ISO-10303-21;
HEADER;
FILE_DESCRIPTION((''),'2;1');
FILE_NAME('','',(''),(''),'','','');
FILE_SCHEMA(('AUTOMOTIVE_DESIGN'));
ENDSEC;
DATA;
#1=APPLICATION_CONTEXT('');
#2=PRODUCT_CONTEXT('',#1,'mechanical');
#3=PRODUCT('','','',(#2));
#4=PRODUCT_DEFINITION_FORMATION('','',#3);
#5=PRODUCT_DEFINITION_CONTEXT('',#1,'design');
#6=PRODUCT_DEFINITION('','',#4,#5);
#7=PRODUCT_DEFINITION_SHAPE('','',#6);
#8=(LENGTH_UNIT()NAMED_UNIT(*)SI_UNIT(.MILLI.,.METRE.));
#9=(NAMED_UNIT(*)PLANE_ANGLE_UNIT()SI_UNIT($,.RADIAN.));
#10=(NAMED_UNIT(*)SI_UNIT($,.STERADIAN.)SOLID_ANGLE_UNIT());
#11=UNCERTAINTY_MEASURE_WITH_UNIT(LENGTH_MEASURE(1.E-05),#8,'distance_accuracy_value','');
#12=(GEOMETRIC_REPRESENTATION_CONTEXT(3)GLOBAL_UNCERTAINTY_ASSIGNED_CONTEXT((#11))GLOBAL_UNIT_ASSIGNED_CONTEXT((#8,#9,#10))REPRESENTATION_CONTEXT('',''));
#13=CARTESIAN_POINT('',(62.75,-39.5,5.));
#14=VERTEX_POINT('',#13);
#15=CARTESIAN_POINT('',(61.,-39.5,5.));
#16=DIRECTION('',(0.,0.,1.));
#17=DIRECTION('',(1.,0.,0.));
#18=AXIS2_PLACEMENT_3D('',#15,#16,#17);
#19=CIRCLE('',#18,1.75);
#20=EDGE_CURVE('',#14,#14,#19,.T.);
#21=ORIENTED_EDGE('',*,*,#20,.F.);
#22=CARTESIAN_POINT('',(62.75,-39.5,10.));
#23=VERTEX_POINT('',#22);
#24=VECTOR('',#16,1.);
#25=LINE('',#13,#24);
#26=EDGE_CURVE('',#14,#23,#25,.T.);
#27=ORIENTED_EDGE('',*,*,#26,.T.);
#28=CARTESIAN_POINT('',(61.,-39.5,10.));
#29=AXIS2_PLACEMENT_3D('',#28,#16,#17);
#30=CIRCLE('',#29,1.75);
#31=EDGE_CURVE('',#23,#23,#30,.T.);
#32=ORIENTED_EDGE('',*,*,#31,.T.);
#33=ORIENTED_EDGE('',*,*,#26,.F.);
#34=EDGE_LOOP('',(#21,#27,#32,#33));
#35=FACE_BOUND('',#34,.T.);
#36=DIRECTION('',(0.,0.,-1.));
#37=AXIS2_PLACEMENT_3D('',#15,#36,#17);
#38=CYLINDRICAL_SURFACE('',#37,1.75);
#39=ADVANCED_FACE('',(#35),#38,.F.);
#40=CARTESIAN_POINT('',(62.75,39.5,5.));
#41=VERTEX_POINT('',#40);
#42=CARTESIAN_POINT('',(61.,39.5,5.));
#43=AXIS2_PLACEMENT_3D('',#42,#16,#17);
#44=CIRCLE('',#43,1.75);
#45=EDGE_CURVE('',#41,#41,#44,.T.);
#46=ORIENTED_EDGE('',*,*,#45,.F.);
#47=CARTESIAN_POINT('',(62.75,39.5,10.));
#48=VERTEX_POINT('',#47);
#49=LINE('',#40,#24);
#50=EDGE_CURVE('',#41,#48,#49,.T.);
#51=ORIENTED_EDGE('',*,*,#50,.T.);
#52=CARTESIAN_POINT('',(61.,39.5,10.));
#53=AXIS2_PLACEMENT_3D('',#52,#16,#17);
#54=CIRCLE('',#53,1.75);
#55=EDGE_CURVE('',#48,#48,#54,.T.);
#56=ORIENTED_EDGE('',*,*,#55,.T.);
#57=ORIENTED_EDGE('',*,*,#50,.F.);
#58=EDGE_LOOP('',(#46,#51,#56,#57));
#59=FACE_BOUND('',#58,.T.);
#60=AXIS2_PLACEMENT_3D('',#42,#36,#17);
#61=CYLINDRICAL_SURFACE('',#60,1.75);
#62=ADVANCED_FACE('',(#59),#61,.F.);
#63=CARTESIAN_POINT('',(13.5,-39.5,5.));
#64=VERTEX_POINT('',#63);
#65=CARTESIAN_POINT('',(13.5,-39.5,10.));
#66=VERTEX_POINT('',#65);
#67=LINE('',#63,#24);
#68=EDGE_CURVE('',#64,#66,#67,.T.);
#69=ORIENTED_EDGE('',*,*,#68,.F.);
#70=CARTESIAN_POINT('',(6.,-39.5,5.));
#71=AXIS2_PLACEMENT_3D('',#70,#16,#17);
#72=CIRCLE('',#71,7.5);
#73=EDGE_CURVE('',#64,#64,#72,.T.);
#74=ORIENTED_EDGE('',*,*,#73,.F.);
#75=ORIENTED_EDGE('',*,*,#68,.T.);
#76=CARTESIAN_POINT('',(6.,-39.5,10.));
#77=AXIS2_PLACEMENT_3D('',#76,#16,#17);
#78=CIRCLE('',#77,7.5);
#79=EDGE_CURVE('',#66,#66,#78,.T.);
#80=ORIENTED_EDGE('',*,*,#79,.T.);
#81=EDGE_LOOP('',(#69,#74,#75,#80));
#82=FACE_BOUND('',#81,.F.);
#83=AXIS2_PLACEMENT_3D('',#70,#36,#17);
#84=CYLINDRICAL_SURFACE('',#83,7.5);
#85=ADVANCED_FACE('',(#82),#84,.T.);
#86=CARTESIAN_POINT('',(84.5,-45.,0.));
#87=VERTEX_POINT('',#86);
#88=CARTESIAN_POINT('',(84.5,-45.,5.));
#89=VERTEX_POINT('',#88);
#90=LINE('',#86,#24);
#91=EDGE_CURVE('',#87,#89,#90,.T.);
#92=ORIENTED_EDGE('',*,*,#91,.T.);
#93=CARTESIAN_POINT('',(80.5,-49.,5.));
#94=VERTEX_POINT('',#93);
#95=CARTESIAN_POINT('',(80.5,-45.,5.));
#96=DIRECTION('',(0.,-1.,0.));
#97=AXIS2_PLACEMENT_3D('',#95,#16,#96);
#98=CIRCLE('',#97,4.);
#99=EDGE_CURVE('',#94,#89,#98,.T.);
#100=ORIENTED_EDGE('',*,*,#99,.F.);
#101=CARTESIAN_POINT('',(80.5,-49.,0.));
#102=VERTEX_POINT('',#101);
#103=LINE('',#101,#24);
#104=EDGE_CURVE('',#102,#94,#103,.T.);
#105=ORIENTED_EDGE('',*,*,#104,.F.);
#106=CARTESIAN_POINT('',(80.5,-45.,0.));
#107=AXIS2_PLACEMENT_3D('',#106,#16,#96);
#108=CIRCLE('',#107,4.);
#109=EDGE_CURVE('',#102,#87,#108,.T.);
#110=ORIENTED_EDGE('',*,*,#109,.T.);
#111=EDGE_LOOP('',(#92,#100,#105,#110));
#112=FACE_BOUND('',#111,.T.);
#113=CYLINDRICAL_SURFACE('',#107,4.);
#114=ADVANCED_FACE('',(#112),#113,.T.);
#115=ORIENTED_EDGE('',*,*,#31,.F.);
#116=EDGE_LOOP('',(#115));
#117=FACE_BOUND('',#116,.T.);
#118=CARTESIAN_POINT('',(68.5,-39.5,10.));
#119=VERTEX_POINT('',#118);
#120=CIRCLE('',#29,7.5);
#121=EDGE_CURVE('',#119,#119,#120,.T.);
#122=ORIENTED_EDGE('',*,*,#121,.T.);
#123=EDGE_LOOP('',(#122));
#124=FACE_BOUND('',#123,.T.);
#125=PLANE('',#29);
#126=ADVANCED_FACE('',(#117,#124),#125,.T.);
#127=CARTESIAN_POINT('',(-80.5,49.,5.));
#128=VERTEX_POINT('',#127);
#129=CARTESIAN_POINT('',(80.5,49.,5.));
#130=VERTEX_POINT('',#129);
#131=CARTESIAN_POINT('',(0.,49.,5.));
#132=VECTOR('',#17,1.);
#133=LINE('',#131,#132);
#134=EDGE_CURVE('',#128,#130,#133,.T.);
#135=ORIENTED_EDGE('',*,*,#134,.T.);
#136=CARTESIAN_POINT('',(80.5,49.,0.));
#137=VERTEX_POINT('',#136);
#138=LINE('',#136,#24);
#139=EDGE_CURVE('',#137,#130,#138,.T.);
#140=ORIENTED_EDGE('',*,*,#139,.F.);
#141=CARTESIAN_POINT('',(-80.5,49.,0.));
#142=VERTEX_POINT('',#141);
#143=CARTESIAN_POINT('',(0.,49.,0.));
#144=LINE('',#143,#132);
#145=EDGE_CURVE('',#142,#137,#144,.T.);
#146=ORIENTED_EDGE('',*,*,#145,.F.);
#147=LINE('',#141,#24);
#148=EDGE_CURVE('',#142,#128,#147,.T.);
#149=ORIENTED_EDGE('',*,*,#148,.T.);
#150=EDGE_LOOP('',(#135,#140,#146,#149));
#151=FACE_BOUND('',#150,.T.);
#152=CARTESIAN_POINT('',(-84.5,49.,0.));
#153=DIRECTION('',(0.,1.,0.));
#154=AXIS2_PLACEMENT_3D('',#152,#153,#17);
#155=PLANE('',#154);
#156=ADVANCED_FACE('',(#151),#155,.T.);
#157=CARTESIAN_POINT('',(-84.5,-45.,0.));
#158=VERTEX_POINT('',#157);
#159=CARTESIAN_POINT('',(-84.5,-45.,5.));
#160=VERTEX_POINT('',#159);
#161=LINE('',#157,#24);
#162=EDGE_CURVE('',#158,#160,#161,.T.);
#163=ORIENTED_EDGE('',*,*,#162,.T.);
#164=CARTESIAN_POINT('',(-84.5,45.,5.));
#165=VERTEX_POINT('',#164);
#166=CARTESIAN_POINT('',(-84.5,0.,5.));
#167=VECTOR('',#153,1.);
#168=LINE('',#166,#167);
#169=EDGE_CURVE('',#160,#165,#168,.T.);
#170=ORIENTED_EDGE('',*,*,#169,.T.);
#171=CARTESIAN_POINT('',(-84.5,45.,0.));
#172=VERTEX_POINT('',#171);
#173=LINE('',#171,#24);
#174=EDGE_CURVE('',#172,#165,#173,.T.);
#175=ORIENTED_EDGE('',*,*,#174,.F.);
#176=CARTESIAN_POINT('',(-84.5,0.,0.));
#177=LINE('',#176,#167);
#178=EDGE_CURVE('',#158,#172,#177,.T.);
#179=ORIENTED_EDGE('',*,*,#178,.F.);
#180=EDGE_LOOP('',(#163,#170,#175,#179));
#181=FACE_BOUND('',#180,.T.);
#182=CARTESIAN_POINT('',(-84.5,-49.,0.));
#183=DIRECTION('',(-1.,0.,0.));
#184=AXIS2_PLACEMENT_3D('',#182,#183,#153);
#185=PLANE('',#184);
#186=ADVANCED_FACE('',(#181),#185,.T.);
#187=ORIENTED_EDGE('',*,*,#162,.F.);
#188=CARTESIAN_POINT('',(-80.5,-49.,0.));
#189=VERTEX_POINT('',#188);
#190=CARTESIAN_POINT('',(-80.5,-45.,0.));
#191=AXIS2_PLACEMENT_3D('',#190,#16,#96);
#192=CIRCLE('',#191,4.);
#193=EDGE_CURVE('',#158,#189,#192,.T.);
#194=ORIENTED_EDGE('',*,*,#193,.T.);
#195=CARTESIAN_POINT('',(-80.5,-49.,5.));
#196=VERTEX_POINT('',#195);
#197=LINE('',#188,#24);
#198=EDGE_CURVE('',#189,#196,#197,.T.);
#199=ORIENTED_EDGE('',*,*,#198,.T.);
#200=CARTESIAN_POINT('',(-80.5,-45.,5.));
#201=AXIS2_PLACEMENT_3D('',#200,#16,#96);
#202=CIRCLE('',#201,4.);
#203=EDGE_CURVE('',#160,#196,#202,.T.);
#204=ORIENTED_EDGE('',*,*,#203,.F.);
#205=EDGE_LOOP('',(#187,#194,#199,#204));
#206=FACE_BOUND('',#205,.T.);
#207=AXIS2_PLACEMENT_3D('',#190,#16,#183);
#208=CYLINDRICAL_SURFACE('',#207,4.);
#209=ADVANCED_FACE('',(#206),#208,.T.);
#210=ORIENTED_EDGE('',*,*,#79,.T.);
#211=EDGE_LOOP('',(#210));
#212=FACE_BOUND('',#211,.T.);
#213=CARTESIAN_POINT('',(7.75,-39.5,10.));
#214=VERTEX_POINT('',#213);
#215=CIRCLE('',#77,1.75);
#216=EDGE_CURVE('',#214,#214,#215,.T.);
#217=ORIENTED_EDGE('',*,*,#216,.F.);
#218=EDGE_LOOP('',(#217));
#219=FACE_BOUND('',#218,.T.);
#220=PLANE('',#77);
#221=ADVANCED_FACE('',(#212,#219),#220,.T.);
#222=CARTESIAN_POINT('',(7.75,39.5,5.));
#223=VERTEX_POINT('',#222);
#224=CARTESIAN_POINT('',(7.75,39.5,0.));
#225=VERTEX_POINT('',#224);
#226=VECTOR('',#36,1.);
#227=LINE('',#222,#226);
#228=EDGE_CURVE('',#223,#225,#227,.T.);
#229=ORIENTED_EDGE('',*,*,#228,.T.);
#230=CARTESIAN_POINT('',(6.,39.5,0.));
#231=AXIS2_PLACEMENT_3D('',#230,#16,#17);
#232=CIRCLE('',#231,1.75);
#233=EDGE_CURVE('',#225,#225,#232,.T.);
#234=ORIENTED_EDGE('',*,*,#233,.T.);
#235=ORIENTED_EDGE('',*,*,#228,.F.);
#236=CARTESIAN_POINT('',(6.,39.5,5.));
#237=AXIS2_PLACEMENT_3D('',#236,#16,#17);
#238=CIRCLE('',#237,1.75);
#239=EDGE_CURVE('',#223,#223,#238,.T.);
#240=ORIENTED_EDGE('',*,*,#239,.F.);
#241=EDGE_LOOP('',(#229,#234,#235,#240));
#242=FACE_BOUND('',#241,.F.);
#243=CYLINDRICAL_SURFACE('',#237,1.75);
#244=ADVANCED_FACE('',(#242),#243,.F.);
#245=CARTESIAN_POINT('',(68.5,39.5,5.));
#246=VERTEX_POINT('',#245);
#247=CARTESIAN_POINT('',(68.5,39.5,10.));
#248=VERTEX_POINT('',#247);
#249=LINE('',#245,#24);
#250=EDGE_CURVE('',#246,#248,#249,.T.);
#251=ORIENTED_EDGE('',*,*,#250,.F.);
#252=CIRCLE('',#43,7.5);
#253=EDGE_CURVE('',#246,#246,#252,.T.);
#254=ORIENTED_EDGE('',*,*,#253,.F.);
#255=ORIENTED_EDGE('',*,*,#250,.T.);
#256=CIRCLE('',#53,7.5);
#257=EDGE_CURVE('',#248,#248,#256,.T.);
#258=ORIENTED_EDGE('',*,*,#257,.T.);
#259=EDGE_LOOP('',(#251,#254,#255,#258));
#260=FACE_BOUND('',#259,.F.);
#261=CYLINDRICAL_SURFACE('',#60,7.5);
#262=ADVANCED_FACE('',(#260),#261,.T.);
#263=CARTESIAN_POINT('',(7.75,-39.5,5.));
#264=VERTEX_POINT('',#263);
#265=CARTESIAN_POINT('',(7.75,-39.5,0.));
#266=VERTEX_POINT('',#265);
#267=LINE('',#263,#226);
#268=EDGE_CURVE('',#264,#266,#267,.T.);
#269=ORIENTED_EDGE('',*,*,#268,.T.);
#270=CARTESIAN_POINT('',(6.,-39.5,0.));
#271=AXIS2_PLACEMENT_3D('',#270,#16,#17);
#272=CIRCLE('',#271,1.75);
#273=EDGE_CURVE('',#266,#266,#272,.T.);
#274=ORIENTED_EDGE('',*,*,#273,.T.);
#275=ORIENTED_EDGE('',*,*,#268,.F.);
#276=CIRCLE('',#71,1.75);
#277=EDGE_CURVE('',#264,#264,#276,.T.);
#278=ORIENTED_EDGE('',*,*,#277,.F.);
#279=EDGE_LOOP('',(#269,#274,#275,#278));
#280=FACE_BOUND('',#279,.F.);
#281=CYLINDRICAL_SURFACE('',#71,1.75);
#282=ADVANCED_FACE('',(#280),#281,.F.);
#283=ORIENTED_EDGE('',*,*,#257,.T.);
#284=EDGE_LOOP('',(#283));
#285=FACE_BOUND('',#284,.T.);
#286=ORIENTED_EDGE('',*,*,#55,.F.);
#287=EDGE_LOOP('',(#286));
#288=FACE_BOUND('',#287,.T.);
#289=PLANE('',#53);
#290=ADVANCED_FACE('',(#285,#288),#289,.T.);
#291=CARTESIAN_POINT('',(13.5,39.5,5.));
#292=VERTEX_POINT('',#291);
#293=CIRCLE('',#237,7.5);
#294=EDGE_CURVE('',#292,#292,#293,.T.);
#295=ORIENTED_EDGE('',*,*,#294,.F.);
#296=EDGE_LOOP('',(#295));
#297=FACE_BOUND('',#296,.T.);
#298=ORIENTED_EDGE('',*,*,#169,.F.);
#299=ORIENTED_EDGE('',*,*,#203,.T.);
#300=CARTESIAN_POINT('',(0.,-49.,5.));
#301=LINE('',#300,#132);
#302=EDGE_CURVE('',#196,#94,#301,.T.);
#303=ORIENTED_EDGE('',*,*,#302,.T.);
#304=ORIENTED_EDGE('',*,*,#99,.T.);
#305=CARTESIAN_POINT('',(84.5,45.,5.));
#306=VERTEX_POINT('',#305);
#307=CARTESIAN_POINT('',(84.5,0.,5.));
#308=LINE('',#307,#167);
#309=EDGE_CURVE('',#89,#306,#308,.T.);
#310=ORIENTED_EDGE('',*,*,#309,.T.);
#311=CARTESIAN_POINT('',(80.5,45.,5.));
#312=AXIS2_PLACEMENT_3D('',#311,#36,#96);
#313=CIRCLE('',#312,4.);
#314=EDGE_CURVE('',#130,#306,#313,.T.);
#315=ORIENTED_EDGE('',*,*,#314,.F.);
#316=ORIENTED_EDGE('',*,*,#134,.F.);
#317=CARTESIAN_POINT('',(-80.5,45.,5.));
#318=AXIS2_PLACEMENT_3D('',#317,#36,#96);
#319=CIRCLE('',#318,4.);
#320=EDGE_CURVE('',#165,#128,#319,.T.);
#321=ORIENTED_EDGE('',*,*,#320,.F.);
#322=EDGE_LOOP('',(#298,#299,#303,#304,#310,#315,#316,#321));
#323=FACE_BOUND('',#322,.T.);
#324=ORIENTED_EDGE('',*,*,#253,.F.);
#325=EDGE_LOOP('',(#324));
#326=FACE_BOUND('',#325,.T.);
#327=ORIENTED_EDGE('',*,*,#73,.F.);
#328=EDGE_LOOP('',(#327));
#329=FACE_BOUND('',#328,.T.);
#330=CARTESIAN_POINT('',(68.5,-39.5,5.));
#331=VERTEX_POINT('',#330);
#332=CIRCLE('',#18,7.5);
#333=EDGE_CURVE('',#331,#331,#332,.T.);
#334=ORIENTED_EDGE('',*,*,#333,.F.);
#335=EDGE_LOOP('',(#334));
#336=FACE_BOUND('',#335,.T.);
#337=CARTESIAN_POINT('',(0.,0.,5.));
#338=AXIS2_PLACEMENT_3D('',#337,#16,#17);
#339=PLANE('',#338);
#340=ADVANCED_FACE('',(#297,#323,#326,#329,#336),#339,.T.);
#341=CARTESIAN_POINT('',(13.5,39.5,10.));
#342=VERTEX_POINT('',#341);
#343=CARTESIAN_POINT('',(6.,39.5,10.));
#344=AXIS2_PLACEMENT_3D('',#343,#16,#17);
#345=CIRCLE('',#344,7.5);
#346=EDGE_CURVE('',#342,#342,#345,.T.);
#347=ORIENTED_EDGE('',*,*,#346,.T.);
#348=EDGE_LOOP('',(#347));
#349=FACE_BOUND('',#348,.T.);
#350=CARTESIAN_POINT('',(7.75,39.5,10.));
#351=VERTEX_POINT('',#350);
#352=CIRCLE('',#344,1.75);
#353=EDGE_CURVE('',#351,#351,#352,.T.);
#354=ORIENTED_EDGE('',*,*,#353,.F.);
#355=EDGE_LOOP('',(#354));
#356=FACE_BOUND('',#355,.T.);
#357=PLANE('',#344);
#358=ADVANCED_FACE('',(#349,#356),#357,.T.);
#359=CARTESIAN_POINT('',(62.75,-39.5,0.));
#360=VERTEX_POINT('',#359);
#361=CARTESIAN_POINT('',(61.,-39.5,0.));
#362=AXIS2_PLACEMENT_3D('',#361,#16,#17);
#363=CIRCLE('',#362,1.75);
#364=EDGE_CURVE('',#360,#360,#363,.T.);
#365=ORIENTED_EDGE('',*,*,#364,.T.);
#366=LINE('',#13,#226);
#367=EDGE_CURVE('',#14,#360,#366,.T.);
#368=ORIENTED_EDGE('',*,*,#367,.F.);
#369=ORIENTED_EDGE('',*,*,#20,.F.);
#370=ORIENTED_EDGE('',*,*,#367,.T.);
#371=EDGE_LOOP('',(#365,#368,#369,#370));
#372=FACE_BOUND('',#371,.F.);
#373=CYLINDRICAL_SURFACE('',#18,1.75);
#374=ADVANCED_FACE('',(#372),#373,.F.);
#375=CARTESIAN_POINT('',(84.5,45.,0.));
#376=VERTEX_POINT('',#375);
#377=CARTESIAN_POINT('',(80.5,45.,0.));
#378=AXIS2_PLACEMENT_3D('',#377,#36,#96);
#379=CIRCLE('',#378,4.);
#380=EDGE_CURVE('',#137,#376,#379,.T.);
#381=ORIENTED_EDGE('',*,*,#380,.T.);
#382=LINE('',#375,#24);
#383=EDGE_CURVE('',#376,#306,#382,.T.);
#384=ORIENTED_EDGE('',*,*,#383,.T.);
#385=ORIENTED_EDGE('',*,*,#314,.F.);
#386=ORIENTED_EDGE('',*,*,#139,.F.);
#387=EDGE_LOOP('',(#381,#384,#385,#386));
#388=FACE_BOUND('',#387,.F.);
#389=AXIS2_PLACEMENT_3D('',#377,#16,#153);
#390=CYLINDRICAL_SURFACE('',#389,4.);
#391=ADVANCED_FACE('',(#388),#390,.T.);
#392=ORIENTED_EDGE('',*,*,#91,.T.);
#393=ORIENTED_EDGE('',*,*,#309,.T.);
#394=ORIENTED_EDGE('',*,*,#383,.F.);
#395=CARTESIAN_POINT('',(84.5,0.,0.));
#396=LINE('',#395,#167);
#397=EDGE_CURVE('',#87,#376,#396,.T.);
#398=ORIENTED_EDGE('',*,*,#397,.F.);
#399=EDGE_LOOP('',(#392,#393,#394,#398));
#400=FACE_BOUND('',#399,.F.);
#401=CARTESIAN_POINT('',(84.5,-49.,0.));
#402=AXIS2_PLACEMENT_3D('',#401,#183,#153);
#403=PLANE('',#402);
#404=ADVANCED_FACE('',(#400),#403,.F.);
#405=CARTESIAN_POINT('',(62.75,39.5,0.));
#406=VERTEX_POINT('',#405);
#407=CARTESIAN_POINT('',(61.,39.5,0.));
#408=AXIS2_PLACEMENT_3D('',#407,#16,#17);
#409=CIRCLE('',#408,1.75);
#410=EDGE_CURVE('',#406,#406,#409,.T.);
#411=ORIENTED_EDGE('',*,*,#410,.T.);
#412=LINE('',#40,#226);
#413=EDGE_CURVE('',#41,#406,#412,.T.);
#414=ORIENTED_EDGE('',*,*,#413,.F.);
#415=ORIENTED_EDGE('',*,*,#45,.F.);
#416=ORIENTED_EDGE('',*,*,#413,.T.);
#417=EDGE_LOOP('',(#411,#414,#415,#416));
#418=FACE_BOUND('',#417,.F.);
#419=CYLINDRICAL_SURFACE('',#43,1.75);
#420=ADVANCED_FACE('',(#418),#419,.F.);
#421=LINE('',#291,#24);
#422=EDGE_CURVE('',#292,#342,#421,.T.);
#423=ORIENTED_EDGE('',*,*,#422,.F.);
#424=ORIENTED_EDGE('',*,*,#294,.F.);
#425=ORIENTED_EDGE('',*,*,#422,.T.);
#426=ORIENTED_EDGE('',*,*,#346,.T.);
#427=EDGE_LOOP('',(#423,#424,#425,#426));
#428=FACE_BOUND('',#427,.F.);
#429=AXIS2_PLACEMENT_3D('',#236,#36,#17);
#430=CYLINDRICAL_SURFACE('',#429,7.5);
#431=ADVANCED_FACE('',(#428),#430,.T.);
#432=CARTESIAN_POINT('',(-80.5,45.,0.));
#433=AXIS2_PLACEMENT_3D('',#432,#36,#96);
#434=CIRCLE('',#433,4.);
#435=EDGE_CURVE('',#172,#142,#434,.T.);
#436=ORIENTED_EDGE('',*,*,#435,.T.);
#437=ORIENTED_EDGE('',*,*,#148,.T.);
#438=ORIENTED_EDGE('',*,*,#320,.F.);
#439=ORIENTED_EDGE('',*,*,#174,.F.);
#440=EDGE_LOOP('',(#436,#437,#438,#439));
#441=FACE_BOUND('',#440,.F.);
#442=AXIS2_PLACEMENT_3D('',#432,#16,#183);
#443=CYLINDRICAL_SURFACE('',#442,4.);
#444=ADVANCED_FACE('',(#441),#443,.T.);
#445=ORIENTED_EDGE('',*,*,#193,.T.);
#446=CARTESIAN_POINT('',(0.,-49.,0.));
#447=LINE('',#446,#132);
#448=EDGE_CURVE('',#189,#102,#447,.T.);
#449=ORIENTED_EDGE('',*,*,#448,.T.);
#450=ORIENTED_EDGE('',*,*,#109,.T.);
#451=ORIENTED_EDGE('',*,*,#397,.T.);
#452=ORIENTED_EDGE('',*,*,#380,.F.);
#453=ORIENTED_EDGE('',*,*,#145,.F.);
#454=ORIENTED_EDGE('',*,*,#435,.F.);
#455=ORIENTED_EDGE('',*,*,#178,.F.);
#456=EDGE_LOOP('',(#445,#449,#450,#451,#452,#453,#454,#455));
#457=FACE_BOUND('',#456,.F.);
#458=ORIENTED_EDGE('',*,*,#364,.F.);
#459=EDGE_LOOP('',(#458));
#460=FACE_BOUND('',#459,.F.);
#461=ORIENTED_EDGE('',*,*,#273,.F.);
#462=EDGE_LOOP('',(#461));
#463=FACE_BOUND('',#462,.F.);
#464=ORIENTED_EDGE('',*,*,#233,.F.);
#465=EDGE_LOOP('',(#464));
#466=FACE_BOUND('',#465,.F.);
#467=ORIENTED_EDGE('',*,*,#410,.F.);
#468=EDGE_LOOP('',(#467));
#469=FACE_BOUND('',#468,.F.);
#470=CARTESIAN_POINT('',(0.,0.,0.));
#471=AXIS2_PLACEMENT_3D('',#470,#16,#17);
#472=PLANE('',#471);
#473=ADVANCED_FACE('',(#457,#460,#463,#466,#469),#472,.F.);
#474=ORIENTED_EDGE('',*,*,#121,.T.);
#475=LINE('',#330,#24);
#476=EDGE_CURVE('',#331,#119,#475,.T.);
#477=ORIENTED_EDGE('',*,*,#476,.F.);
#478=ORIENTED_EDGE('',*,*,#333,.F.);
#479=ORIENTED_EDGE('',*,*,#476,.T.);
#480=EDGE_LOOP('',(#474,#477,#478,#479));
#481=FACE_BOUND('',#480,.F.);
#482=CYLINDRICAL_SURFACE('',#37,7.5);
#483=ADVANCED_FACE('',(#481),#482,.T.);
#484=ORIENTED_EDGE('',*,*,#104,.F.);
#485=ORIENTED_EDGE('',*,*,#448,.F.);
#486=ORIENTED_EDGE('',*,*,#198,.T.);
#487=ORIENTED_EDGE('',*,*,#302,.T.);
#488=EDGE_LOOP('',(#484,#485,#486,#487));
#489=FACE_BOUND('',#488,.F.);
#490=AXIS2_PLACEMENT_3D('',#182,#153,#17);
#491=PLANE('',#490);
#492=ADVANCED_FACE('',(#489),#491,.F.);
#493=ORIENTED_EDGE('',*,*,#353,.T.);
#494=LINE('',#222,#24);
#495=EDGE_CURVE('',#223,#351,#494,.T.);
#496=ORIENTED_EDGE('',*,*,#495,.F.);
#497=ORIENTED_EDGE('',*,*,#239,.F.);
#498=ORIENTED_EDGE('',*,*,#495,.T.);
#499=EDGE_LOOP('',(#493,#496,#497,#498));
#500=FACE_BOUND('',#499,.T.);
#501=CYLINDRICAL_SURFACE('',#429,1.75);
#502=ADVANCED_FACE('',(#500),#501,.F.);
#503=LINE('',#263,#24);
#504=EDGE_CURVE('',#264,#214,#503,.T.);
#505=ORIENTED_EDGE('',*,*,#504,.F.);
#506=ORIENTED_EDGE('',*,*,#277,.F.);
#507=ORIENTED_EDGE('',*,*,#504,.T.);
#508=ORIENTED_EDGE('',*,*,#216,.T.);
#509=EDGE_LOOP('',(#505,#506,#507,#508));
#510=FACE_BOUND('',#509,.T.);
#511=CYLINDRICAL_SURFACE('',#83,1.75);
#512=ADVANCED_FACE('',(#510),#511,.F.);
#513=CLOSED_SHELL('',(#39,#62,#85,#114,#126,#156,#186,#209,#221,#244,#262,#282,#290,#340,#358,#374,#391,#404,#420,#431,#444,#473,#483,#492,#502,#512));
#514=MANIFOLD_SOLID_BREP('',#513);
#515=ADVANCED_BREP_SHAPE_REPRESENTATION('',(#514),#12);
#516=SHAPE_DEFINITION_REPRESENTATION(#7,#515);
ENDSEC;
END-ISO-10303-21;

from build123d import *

# Parameters (mm, degrees)
SKETCH_W      = 169
SKETCH_H      = 98
PAD_DEPTH     = 5
SKETCH001_R   = 1.75
POCKET_DEPTH  = 5.001
FILLET_R      = 4
SKETCH002_R   = 7.5
SKETCH002_R_2 = 1.75
PAD001_DEPTH  = 5


with BuildPart() as part:
    # Sketch → Pad (new body)
    with BuildSketch(Plane.XY):
        Rectangle(SKETCH_W, SKETCH_H)
    extrude(amount=PAD_DEPTH)

    # Sketch001 (on Face6 of Pad) → Pocket (cut, through all)
    with BuildSketch(Plane.XY.offset(5)):
        with Locations((6, 39.5)):
            Circle(SKETCH001_R)
        with Locations((61, 39.5)):
            Circle(SKETCH001_R)
        with Locations((61, -39.5)):
            Circle(SKETCH001_R)
        with Locations((6, -39.5)):
            Circle(SKETCH001_R)
    extrude(amount=-POCKET_DEPTH, mode=Mode.SUBTRACT)

    # Fillet
    fillet_edges = [part.edges().sort_by_distance(p)[0] for p in [
        (-84.5, 49, 2.5),
        (-84.5, -49, 2.5),
        (84.5, -49, 2.5),
        (84.5, 49, 2.5),
    ]]
    fillet(fillet_edges, radius=FILLET_R)

    # Sketch002 (on Face5 of Pocket) → Pad001 (join)
    with BuildSketch(Plane.XY.offset(5)):
        with Locations((6, 39.5)):
            Circle(SKETCH002_R)
        with Locations((6, 39.5)):
            Circle(SKETCH002_R_2, mode=Mode.SUBTRACT)
        with Locations((61, 39.5)):
            Circle(SKETCH002_R)
        with Locations((61, 39.5)):
            Circle(SKETCH002_R_2, mode=Mode.SUBTRACT)
        with Locations((6, -39.5)):
            Circle(SKETCH002_R)
        with Locations((6, -39.5)):
            Circle(SKETCH002_R_2, mode=Mode.SUBTRACT)
        with Locations((61, -39.5)):
            Circle(SKETCH002_R)
        with Locations((61, -39.5)):
            Circle(SKETCH002_R_2, mode=Mode.SUBTRACT)
    extrude(amount=PAD001_DEPTH)


solid = part.part
